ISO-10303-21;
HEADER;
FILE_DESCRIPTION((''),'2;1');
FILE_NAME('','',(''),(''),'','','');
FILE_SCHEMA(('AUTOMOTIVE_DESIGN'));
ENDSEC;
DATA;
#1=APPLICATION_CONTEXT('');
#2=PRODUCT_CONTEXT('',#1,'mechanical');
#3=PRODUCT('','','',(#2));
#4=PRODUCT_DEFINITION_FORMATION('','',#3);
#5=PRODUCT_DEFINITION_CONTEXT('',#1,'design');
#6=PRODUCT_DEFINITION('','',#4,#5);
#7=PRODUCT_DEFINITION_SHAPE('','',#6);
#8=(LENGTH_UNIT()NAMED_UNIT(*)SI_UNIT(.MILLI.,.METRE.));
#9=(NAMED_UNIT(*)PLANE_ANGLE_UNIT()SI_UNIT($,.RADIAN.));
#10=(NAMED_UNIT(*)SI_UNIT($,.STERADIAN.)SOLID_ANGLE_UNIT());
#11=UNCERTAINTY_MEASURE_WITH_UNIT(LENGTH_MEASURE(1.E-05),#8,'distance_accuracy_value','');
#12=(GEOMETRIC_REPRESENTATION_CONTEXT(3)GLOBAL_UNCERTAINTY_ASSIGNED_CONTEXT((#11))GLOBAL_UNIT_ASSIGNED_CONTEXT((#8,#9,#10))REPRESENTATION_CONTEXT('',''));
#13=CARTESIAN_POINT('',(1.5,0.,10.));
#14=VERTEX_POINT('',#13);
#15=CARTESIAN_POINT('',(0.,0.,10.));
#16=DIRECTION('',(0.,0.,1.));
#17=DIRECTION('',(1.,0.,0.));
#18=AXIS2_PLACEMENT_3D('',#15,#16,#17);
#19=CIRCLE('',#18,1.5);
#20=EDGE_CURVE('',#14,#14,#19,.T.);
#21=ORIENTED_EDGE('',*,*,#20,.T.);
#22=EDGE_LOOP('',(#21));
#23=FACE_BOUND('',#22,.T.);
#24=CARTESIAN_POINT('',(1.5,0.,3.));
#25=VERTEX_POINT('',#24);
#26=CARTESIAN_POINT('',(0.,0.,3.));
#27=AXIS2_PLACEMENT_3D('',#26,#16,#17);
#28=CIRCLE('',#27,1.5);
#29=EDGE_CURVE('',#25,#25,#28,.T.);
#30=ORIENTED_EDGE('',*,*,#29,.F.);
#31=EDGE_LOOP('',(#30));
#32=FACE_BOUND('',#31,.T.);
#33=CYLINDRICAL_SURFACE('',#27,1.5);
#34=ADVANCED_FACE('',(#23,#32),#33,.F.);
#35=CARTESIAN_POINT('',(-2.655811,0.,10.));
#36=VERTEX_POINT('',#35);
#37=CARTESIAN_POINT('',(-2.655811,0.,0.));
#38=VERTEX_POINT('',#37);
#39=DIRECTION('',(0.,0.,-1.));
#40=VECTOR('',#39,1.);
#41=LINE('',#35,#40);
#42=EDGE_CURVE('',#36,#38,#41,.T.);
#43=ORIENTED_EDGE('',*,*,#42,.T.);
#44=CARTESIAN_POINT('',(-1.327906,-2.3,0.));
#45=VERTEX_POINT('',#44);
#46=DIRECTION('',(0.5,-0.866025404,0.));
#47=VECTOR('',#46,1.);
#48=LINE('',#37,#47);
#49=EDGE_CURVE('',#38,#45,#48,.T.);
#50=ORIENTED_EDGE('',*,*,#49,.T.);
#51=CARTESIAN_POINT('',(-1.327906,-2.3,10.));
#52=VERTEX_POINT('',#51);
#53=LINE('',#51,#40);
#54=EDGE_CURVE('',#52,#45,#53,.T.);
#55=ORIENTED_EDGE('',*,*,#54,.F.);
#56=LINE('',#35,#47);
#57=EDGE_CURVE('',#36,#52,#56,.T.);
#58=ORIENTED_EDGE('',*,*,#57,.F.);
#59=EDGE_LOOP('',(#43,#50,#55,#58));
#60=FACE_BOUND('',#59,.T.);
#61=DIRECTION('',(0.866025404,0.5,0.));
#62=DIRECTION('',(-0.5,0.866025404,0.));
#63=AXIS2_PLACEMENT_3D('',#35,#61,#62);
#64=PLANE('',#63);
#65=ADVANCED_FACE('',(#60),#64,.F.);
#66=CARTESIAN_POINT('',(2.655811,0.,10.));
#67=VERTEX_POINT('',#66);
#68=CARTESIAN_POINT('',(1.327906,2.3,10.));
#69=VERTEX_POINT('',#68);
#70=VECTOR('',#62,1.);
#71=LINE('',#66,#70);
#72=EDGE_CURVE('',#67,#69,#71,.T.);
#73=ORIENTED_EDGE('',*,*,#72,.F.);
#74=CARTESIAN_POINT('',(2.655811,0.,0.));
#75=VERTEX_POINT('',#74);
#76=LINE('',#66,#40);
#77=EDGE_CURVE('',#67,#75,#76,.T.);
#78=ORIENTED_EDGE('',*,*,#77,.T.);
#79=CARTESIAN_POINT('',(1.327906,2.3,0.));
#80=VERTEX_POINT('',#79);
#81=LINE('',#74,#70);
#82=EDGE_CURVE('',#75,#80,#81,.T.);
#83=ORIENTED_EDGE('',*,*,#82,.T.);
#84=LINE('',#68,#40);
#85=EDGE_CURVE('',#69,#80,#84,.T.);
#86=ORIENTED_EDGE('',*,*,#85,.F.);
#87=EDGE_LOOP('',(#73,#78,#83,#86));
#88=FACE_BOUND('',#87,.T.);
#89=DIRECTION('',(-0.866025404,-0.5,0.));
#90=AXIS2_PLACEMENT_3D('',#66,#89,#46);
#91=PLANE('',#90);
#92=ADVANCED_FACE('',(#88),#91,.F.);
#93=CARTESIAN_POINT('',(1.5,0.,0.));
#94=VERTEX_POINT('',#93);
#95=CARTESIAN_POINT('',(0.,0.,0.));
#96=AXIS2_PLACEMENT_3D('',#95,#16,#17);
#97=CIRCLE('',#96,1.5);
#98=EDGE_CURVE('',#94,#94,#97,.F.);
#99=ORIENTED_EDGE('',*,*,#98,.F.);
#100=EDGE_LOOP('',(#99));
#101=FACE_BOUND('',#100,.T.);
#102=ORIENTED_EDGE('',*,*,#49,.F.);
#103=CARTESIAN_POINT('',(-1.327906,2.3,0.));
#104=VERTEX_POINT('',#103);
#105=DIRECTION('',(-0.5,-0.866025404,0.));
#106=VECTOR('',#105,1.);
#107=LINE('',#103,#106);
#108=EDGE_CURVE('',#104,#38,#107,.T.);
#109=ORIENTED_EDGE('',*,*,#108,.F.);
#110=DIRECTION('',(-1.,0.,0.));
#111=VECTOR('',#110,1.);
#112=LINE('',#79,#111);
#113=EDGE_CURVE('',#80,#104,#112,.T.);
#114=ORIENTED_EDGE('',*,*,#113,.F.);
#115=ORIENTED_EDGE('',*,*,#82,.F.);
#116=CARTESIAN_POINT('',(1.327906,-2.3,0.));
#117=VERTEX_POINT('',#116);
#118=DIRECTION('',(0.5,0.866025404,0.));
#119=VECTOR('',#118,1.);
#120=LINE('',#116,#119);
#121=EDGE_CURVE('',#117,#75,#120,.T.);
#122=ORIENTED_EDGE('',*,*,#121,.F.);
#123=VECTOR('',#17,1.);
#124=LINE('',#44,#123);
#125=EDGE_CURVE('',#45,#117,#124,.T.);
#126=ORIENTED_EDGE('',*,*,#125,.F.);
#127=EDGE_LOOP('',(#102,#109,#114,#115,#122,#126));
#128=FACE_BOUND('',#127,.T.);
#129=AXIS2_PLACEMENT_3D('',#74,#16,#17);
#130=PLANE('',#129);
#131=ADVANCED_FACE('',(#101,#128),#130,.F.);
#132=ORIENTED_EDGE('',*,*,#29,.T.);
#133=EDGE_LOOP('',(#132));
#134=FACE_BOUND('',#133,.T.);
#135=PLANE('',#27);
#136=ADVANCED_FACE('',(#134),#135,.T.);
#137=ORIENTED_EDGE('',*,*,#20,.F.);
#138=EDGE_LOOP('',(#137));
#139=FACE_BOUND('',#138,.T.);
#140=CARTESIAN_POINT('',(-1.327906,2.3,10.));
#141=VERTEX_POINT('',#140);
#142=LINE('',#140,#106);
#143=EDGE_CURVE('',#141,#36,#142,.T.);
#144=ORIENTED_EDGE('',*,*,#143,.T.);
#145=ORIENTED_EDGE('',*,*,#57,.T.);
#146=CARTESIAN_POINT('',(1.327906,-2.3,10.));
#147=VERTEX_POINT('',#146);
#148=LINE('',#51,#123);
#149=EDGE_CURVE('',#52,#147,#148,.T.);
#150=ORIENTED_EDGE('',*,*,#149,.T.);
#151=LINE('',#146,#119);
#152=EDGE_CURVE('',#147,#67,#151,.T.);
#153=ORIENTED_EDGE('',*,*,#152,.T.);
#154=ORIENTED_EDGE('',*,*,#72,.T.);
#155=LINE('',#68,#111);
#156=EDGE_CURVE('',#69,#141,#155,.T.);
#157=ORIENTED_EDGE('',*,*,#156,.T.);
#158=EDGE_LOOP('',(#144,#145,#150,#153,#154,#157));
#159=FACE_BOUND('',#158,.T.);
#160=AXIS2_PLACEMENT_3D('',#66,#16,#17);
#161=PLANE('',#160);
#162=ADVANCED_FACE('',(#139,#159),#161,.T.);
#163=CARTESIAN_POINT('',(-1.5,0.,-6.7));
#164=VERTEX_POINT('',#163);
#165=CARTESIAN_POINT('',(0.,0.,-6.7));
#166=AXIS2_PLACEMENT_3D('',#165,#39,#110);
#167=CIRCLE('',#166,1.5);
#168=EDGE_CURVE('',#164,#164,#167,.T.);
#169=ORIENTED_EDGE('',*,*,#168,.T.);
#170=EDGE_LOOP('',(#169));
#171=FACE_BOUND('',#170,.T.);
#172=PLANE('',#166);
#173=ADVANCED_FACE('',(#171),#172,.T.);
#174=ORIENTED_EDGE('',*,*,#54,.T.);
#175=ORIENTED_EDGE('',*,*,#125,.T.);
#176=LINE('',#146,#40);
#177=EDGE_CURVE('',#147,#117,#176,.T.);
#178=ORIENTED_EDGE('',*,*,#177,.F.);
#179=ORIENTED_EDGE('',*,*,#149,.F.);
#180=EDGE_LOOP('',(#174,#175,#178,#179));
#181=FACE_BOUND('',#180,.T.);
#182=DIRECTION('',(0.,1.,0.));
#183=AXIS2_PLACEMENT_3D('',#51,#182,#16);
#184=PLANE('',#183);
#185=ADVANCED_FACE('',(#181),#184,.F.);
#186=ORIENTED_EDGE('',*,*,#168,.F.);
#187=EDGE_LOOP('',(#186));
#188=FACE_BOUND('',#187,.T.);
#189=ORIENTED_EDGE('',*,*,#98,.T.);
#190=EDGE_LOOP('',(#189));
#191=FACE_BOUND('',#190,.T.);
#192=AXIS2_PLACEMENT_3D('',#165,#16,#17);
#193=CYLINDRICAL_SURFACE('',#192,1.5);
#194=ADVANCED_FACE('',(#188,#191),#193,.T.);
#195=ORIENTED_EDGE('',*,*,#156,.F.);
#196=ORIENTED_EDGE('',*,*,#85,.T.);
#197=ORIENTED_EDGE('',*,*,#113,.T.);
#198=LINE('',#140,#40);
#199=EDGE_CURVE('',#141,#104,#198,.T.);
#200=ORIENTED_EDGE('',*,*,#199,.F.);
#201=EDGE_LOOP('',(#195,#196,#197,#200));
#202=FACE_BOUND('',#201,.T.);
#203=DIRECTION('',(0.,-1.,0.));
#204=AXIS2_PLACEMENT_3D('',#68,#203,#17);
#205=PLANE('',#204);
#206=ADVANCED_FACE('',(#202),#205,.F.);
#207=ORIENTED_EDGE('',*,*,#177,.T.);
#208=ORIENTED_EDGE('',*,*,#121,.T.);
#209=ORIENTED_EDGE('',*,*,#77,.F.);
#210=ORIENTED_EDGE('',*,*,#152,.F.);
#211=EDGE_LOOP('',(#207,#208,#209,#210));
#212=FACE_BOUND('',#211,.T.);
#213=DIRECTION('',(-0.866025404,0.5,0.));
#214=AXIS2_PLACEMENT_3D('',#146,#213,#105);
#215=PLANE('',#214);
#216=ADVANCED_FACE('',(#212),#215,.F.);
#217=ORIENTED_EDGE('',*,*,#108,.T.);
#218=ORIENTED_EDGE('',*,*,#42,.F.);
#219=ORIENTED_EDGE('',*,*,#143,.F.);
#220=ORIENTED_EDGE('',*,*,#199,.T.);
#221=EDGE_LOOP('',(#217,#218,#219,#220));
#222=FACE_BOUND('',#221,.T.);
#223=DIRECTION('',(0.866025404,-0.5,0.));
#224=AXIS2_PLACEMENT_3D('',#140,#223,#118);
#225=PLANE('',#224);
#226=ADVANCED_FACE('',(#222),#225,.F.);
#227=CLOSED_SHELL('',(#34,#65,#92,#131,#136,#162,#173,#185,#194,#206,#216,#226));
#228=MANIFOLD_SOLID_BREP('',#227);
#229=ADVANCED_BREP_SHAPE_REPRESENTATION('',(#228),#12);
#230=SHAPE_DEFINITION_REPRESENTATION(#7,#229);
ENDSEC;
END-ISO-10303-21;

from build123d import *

# Parameters (mm, degrees)
SALIENTE_EXTRUIR1_DEPTH = 10
CROQUIS2_R              = 1.5
SALIENTE_EXTRUIR2_DEPTH = 6.7
CROQUIS3_R              = 1.5
CORTAR_EXTRUIR1_DEPTH   = 7


with BuildPart() as part:
    # Croquis1 → Saliente-Extruir1 (new body)
    with BuildSketch(Plane.XY):
        Polygon((2.655811238, 0), (1.327905619, 2.3), (-1.327905619, 2.3), (-2.655811238, 0), (-1.327905619, -2.3), (1.327905619, -2.3), align=None)
    extrude(amount=SALIENTE_EXTRUIR1_DEPTH)

    # Croquis2 → Saliente-Extruir2 (add)
    with BuildSketch(Plane(origin=(0, 0, 0), x_dir=(-1, 0, 0), z_dir=(0, 0, -1))):
        Circle(CROQUIS2_R)
    extrude(amount=SALIENTE_EXTRUIR2_DEPTH)

    # Croquis3 → Cortar-Extruir1 (cut)
    with BuildSketch(Plane.XY.offset(10)):
        Circle(CROQUIS3_R)
    extrude(amount=-CORTAR_EXTRUIR1_DEPTH, mode=Mode.SUBTRACT)


solid = part.part
